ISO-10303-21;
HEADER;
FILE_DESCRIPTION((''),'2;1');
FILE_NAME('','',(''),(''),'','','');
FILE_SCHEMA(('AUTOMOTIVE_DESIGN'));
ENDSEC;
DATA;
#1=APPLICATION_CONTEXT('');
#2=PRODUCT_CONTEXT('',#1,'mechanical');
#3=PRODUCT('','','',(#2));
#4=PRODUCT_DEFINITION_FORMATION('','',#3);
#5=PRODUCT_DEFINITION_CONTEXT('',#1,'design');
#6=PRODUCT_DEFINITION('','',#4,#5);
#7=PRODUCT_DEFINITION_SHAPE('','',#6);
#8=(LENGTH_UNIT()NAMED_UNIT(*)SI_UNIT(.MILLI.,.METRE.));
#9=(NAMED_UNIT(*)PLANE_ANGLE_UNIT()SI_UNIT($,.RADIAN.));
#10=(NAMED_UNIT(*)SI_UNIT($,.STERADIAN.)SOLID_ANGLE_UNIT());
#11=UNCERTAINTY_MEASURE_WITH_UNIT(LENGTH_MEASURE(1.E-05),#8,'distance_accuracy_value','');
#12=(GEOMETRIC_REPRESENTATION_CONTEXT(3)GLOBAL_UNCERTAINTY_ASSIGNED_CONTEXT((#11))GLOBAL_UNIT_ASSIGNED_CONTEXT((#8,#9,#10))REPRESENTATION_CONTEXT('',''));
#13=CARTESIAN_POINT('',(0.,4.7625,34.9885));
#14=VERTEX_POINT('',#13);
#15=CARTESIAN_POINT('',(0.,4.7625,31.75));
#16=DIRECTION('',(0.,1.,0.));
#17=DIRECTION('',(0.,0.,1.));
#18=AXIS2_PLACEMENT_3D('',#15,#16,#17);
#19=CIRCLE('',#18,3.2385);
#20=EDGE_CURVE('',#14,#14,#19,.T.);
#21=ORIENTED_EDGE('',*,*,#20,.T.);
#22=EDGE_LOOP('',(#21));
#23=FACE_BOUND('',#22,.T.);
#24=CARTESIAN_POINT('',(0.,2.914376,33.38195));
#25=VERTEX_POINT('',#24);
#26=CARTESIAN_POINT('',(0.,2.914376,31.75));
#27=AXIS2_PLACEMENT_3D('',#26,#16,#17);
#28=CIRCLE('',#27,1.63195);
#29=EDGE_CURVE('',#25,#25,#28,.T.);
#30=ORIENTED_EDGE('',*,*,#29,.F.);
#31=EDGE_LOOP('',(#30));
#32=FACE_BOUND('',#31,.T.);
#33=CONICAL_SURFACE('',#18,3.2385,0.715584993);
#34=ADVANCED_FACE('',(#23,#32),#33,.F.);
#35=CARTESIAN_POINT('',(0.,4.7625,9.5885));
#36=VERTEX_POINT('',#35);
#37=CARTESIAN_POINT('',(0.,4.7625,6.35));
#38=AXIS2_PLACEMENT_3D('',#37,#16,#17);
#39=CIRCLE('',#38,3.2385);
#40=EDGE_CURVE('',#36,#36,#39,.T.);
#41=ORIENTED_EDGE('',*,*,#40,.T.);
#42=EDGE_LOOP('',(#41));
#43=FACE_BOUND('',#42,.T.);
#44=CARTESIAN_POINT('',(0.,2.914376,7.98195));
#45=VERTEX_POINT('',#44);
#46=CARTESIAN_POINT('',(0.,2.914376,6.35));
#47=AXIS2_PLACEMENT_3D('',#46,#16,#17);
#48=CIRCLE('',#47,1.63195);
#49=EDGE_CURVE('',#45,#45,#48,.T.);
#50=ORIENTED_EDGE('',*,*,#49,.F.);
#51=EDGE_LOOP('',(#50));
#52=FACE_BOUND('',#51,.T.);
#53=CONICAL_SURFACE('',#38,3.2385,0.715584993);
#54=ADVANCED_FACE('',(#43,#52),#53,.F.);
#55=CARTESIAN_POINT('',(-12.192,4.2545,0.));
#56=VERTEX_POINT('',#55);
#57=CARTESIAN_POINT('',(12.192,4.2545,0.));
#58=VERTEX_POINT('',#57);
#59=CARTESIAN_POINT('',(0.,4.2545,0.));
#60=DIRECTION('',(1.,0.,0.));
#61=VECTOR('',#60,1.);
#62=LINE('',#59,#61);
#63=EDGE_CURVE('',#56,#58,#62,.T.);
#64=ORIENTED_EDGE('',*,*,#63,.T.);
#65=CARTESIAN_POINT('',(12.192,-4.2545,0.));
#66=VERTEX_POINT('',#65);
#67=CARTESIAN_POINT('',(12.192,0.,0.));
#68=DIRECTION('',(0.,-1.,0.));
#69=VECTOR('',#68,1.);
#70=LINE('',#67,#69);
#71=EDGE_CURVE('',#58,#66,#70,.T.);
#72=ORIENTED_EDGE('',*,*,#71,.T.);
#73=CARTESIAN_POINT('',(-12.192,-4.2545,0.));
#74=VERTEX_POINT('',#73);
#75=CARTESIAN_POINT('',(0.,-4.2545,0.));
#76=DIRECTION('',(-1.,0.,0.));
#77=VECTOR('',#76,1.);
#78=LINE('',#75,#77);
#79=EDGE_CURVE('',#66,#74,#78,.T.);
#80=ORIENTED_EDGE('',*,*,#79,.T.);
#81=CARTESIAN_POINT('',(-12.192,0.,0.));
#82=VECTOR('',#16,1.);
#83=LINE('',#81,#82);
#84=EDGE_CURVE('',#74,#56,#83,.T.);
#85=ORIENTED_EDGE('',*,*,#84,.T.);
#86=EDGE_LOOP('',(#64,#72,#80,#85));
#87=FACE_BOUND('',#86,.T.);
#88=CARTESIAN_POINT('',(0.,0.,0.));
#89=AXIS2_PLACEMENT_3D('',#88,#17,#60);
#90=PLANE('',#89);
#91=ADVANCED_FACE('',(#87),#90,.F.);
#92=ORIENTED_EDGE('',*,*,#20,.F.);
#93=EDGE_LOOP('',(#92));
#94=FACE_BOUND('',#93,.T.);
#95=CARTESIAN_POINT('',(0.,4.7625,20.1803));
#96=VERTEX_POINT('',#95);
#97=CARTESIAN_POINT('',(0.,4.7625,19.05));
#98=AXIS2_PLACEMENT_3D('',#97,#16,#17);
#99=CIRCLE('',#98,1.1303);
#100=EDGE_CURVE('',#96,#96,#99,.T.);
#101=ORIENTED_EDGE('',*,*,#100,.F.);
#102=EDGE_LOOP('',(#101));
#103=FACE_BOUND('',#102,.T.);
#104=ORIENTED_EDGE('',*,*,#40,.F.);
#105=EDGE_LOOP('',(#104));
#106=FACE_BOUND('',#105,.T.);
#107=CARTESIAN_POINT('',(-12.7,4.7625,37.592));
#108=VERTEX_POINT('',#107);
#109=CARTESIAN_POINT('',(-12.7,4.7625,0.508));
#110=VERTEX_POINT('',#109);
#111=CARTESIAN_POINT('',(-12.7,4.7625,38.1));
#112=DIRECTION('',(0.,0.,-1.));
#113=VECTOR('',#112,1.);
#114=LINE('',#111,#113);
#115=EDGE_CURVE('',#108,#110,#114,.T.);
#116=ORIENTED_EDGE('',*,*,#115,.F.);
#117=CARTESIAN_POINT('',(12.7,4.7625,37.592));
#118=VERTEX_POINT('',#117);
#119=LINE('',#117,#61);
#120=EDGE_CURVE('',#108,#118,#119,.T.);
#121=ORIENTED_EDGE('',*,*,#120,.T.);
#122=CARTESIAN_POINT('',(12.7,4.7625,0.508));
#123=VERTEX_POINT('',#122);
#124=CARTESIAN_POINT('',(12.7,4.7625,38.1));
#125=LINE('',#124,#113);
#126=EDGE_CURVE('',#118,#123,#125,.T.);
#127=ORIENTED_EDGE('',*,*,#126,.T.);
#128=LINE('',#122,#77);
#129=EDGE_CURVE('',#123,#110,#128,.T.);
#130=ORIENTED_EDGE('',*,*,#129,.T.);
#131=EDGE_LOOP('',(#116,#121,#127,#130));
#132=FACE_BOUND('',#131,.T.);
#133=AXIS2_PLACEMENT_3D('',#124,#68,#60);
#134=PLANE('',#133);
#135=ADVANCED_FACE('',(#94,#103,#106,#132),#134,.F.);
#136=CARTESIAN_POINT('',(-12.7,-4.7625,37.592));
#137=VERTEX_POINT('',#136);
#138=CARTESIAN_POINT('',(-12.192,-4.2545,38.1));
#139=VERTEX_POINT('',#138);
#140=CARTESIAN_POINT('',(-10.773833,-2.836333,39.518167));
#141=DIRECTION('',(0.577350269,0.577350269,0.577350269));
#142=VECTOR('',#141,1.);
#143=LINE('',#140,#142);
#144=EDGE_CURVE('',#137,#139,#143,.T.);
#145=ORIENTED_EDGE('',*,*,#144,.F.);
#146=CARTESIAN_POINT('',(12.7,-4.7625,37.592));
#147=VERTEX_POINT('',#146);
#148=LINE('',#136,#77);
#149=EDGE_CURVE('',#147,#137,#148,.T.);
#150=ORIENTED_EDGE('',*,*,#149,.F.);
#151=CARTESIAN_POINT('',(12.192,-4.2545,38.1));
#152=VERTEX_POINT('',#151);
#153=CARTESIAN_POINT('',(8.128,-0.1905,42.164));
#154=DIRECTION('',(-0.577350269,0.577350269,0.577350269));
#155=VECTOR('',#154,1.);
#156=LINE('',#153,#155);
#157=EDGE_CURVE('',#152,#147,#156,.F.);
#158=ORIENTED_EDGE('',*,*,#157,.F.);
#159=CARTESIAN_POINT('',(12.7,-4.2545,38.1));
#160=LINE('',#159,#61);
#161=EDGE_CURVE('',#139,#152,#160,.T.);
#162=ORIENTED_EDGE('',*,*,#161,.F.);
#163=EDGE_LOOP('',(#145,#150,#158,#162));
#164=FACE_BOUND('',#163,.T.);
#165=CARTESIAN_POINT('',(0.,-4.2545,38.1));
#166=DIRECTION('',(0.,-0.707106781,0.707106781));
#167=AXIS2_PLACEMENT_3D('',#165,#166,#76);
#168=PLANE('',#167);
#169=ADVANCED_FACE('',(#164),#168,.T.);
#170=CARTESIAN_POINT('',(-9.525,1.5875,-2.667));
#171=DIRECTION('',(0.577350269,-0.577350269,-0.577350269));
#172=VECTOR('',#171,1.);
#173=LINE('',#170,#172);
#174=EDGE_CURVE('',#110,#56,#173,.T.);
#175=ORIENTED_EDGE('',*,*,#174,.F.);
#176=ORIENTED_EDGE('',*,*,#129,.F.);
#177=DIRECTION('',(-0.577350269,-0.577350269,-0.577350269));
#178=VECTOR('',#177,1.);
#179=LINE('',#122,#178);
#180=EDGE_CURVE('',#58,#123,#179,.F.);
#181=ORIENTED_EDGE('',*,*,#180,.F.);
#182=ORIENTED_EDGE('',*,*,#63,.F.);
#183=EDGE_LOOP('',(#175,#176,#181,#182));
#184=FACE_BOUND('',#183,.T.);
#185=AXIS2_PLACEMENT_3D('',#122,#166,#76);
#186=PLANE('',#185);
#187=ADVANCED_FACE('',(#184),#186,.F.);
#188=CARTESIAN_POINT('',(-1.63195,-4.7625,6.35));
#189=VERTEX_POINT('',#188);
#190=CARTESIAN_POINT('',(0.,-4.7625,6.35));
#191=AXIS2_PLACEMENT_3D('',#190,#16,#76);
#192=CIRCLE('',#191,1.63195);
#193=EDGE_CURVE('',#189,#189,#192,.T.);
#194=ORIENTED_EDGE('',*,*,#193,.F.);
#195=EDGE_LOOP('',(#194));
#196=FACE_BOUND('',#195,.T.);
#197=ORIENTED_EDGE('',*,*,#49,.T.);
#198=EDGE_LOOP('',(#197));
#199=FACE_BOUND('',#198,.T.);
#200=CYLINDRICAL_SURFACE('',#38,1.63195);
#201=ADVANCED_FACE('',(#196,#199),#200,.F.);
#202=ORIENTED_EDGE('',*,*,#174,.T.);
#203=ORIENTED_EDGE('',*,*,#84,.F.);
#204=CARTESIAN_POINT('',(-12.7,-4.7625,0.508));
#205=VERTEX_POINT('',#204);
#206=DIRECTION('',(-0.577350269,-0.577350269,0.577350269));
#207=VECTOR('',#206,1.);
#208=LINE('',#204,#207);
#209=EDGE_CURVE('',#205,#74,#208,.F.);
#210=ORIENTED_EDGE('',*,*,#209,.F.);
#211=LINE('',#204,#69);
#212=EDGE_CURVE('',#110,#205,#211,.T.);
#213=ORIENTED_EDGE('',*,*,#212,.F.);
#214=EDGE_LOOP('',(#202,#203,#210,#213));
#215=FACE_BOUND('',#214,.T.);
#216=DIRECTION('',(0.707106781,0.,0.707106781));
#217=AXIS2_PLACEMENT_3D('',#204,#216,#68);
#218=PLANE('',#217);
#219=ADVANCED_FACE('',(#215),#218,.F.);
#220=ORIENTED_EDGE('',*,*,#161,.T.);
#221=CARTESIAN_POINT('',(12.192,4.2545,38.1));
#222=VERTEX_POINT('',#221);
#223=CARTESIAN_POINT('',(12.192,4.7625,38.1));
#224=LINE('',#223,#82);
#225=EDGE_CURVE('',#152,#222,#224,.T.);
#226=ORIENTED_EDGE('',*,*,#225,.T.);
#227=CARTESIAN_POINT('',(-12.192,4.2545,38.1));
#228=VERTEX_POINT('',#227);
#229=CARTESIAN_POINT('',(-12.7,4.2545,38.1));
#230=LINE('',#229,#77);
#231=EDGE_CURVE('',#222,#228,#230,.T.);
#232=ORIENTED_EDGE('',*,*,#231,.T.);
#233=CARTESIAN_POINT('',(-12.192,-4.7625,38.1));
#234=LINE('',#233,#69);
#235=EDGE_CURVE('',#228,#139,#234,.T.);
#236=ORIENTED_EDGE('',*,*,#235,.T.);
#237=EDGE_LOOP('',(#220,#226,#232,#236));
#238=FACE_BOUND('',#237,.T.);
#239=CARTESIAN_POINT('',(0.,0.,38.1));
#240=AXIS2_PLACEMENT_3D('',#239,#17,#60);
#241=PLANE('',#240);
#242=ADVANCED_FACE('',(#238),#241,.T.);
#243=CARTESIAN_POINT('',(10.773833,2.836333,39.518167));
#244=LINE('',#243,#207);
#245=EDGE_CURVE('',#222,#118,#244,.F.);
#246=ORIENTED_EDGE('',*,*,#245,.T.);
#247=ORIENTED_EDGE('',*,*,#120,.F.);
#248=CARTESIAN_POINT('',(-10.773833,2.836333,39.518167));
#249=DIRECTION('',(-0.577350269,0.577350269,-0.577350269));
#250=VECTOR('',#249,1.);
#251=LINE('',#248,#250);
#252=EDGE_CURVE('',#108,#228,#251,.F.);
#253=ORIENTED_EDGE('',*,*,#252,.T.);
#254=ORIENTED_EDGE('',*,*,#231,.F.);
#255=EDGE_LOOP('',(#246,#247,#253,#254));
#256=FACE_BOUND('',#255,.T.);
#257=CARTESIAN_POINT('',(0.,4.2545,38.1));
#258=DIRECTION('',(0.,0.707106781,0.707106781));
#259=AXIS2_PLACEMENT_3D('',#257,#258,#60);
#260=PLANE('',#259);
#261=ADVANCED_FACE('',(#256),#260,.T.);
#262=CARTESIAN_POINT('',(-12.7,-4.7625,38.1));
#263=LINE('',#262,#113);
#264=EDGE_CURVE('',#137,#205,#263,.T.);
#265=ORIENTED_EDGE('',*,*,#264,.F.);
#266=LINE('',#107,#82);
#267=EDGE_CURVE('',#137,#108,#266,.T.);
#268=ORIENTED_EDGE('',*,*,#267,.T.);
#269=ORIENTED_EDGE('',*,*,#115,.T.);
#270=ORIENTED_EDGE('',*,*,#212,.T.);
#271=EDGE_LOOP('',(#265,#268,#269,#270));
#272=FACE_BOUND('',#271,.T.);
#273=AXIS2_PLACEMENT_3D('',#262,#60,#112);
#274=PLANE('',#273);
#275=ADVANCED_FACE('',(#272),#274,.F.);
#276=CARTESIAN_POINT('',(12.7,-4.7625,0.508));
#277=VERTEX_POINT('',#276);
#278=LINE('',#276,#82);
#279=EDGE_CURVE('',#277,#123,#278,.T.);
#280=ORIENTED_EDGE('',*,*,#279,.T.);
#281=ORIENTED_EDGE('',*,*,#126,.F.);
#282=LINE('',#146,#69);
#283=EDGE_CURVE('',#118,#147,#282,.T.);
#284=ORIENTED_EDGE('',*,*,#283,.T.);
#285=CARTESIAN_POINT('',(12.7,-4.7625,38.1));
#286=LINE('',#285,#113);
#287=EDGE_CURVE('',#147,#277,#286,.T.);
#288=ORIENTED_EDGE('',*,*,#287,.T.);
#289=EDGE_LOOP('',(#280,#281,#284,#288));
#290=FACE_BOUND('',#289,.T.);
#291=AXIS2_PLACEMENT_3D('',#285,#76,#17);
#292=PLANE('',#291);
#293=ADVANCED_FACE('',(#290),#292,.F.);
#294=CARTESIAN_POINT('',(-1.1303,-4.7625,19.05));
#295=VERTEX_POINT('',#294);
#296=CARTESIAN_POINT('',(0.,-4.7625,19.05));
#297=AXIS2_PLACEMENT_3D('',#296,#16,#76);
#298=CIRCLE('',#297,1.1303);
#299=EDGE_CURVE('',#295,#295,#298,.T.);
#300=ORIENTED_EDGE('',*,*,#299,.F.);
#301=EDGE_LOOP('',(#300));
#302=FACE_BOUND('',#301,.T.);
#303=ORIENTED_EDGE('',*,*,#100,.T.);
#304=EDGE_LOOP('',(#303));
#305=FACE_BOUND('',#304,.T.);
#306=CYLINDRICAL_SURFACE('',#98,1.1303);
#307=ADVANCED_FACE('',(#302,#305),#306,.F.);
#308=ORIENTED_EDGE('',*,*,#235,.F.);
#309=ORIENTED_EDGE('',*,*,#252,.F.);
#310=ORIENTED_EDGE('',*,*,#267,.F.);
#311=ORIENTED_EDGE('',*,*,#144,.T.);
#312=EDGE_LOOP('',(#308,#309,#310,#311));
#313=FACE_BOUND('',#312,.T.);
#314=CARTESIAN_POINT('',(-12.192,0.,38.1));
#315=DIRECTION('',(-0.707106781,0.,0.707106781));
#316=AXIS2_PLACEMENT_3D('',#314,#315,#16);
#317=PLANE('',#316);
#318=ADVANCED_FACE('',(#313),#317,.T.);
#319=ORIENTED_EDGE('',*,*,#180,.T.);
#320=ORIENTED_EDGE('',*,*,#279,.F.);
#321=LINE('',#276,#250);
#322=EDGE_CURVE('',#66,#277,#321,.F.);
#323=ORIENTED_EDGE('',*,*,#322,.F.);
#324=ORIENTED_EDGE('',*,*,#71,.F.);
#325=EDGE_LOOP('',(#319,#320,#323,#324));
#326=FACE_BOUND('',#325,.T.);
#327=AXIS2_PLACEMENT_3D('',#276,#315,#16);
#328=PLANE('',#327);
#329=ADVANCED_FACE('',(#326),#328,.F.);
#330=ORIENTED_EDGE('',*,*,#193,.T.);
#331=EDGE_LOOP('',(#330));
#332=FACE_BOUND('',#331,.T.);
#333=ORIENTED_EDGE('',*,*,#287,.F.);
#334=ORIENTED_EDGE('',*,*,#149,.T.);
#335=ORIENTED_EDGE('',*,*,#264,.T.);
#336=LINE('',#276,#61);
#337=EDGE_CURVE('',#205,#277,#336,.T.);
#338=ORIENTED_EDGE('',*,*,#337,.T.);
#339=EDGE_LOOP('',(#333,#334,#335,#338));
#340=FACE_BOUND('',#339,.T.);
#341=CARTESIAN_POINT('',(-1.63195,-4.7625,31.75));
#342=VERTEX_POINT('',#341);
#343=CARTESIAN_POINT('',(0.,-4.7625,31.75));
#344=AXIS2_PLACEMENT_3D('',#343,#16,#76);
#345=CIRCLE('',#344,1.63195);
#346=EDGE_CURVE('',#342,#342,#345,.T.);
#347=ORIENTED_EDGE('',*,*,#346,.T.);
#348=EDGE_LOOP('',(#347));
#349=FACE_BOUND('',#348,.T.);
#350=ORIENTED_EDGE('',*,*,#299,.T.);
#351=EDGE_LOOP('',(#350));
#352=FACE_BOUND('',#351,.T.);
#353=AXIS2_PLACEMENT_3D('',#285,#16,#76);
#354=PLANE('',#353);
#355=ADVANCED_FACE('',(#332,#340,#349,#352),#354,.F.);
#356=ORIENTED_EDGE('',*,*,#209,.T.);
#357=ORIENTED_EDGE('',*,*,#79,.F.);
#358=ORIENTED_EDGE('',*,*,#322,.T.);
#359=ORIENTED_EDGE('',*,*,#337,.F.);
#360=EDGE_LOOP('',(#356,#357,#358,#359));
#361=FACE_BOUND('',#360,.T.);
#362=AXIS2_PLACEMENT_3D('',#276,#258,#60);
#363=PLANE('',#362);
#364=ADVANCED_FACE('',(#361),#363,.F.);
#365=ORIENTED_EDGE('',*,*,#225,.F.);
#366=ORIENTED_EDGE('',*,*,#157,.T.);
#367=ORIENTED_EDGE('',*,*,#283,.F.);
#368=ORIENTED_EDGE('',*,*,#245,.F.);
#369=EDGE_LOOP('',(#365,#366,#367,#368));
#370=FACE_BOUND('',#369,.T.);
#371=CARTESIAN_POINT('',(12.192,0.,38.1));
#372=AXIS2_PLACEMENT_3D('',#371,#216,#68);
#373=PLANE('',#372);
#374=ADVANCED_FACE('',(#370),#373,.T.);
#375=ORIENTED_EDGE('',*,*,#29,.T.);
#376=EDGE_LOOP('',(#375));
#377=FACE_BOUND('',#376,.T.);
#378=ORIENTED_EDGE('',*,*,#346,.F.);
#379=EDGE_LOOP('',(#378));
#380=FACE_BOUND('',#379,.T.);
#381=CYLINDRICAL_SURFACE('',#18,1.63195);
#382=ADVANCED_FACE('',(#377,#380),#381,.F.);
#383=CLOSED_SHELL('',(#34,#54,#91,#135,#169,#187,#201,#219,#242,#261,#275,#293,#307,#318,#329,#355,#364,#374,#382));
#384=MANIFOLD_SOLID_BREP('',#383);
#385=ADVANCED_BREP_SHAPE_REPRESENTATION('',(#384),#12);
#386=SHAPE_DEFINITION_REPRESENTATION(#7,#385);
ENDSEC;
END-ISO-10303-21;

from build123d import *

# Parameters (mm, degrees)
SKETCH1_W                                         = 25.4
SKETCH1_H                                         = 9.525
BOSS_EXTRUDE1_DEPTH                               = 38.1
CSK_FOR_4_FLAT_HEAD_SOCKET_CAP_SCREW1_D           = 3.2639
CSK_FOR_4_FLAT_HEAD_SOCKET_CAP_SCREW1_DEPTH       = 9.525
CSK_FOR_4_FLAT_HEAD_SOCKET_CAP_SCREW1_CSINK_D     = 6.477
CSK_FOR_4_FLAT_HEAD_SOCKET_CAP_SCREW1_CSINK_ANGLE = 82
F_4_40_TAPPED_HOLE1_D                             = 2.2606
F_4_40_TAPPED_HOLE1_DEPTH                         = 9.525
CHAMFER1_SIZE                                     = 0.508


with BuildPart() as part:
    # Sketch1 → Boss-Extrude1 (new body)
    with BuildSketch(Plane.XY):
        Rectangle(SKETCH1_W, SKETCH1_H)
    extrude(amount=BOSS_EXTRUDE1_DEPTH)

    # CSK for #4 Flat Head Socket Cap Screw1
    with Locations(Plane(origin=(0, 4.7625, 0), x_dir=(1, 0, 0), z_dir=(0, 1, 0))):
        with Locations((0, -6.35), (0, -31.75)):
            CounterSinkHole(CSK_FOR_4_FLAT_HEAD_SOCKET_CAP_SCREW1_D / 2, CSK_FOR_4_FLAT_HEAD_SOCKET_CAP_SCREW1_CSINK_D / 2, depth=CSK_FOR_4_FLAT_HEAD_SOCKET_CAP_SCREW1_DEPTH, counter_sink_angle=CSK_FOR_4_FLAT_HEAD_SOCKET_CAP_SCREW1_CSINK_ANGLE)

    # #4-40 Tapped Hole1
    with Locations(Plane(origin=(0, 4.7625, 0), x_dir=(1, 0, 0), z_dir=(0, 1, 0))):
        with Locations((0, -19.05)):
            Hole(F_4_40_TAPPED_HOLE1_D / 2, depth=F_4_40_TAPPED_HOLE1_DEPTH)

    # Chamfer1
    chamfer1_edges = [part.edges().sort_by_distance(p)[0] for p in [
        (12.7, 0, 38.1),
        (0, 4.7625, 38.1),
        (-12.7, 0, 38.1),
        (0, 4.7625, 0),
        (12.7, 0, 0),
        (0, -4.7625, 0),
        (-12.7, 0, 0),
        (0, -4.7625, 38.1),
    ]]
    chamfer(chamfer1_edges, length=CHAMFER1_SIZE)


solid = part.part
